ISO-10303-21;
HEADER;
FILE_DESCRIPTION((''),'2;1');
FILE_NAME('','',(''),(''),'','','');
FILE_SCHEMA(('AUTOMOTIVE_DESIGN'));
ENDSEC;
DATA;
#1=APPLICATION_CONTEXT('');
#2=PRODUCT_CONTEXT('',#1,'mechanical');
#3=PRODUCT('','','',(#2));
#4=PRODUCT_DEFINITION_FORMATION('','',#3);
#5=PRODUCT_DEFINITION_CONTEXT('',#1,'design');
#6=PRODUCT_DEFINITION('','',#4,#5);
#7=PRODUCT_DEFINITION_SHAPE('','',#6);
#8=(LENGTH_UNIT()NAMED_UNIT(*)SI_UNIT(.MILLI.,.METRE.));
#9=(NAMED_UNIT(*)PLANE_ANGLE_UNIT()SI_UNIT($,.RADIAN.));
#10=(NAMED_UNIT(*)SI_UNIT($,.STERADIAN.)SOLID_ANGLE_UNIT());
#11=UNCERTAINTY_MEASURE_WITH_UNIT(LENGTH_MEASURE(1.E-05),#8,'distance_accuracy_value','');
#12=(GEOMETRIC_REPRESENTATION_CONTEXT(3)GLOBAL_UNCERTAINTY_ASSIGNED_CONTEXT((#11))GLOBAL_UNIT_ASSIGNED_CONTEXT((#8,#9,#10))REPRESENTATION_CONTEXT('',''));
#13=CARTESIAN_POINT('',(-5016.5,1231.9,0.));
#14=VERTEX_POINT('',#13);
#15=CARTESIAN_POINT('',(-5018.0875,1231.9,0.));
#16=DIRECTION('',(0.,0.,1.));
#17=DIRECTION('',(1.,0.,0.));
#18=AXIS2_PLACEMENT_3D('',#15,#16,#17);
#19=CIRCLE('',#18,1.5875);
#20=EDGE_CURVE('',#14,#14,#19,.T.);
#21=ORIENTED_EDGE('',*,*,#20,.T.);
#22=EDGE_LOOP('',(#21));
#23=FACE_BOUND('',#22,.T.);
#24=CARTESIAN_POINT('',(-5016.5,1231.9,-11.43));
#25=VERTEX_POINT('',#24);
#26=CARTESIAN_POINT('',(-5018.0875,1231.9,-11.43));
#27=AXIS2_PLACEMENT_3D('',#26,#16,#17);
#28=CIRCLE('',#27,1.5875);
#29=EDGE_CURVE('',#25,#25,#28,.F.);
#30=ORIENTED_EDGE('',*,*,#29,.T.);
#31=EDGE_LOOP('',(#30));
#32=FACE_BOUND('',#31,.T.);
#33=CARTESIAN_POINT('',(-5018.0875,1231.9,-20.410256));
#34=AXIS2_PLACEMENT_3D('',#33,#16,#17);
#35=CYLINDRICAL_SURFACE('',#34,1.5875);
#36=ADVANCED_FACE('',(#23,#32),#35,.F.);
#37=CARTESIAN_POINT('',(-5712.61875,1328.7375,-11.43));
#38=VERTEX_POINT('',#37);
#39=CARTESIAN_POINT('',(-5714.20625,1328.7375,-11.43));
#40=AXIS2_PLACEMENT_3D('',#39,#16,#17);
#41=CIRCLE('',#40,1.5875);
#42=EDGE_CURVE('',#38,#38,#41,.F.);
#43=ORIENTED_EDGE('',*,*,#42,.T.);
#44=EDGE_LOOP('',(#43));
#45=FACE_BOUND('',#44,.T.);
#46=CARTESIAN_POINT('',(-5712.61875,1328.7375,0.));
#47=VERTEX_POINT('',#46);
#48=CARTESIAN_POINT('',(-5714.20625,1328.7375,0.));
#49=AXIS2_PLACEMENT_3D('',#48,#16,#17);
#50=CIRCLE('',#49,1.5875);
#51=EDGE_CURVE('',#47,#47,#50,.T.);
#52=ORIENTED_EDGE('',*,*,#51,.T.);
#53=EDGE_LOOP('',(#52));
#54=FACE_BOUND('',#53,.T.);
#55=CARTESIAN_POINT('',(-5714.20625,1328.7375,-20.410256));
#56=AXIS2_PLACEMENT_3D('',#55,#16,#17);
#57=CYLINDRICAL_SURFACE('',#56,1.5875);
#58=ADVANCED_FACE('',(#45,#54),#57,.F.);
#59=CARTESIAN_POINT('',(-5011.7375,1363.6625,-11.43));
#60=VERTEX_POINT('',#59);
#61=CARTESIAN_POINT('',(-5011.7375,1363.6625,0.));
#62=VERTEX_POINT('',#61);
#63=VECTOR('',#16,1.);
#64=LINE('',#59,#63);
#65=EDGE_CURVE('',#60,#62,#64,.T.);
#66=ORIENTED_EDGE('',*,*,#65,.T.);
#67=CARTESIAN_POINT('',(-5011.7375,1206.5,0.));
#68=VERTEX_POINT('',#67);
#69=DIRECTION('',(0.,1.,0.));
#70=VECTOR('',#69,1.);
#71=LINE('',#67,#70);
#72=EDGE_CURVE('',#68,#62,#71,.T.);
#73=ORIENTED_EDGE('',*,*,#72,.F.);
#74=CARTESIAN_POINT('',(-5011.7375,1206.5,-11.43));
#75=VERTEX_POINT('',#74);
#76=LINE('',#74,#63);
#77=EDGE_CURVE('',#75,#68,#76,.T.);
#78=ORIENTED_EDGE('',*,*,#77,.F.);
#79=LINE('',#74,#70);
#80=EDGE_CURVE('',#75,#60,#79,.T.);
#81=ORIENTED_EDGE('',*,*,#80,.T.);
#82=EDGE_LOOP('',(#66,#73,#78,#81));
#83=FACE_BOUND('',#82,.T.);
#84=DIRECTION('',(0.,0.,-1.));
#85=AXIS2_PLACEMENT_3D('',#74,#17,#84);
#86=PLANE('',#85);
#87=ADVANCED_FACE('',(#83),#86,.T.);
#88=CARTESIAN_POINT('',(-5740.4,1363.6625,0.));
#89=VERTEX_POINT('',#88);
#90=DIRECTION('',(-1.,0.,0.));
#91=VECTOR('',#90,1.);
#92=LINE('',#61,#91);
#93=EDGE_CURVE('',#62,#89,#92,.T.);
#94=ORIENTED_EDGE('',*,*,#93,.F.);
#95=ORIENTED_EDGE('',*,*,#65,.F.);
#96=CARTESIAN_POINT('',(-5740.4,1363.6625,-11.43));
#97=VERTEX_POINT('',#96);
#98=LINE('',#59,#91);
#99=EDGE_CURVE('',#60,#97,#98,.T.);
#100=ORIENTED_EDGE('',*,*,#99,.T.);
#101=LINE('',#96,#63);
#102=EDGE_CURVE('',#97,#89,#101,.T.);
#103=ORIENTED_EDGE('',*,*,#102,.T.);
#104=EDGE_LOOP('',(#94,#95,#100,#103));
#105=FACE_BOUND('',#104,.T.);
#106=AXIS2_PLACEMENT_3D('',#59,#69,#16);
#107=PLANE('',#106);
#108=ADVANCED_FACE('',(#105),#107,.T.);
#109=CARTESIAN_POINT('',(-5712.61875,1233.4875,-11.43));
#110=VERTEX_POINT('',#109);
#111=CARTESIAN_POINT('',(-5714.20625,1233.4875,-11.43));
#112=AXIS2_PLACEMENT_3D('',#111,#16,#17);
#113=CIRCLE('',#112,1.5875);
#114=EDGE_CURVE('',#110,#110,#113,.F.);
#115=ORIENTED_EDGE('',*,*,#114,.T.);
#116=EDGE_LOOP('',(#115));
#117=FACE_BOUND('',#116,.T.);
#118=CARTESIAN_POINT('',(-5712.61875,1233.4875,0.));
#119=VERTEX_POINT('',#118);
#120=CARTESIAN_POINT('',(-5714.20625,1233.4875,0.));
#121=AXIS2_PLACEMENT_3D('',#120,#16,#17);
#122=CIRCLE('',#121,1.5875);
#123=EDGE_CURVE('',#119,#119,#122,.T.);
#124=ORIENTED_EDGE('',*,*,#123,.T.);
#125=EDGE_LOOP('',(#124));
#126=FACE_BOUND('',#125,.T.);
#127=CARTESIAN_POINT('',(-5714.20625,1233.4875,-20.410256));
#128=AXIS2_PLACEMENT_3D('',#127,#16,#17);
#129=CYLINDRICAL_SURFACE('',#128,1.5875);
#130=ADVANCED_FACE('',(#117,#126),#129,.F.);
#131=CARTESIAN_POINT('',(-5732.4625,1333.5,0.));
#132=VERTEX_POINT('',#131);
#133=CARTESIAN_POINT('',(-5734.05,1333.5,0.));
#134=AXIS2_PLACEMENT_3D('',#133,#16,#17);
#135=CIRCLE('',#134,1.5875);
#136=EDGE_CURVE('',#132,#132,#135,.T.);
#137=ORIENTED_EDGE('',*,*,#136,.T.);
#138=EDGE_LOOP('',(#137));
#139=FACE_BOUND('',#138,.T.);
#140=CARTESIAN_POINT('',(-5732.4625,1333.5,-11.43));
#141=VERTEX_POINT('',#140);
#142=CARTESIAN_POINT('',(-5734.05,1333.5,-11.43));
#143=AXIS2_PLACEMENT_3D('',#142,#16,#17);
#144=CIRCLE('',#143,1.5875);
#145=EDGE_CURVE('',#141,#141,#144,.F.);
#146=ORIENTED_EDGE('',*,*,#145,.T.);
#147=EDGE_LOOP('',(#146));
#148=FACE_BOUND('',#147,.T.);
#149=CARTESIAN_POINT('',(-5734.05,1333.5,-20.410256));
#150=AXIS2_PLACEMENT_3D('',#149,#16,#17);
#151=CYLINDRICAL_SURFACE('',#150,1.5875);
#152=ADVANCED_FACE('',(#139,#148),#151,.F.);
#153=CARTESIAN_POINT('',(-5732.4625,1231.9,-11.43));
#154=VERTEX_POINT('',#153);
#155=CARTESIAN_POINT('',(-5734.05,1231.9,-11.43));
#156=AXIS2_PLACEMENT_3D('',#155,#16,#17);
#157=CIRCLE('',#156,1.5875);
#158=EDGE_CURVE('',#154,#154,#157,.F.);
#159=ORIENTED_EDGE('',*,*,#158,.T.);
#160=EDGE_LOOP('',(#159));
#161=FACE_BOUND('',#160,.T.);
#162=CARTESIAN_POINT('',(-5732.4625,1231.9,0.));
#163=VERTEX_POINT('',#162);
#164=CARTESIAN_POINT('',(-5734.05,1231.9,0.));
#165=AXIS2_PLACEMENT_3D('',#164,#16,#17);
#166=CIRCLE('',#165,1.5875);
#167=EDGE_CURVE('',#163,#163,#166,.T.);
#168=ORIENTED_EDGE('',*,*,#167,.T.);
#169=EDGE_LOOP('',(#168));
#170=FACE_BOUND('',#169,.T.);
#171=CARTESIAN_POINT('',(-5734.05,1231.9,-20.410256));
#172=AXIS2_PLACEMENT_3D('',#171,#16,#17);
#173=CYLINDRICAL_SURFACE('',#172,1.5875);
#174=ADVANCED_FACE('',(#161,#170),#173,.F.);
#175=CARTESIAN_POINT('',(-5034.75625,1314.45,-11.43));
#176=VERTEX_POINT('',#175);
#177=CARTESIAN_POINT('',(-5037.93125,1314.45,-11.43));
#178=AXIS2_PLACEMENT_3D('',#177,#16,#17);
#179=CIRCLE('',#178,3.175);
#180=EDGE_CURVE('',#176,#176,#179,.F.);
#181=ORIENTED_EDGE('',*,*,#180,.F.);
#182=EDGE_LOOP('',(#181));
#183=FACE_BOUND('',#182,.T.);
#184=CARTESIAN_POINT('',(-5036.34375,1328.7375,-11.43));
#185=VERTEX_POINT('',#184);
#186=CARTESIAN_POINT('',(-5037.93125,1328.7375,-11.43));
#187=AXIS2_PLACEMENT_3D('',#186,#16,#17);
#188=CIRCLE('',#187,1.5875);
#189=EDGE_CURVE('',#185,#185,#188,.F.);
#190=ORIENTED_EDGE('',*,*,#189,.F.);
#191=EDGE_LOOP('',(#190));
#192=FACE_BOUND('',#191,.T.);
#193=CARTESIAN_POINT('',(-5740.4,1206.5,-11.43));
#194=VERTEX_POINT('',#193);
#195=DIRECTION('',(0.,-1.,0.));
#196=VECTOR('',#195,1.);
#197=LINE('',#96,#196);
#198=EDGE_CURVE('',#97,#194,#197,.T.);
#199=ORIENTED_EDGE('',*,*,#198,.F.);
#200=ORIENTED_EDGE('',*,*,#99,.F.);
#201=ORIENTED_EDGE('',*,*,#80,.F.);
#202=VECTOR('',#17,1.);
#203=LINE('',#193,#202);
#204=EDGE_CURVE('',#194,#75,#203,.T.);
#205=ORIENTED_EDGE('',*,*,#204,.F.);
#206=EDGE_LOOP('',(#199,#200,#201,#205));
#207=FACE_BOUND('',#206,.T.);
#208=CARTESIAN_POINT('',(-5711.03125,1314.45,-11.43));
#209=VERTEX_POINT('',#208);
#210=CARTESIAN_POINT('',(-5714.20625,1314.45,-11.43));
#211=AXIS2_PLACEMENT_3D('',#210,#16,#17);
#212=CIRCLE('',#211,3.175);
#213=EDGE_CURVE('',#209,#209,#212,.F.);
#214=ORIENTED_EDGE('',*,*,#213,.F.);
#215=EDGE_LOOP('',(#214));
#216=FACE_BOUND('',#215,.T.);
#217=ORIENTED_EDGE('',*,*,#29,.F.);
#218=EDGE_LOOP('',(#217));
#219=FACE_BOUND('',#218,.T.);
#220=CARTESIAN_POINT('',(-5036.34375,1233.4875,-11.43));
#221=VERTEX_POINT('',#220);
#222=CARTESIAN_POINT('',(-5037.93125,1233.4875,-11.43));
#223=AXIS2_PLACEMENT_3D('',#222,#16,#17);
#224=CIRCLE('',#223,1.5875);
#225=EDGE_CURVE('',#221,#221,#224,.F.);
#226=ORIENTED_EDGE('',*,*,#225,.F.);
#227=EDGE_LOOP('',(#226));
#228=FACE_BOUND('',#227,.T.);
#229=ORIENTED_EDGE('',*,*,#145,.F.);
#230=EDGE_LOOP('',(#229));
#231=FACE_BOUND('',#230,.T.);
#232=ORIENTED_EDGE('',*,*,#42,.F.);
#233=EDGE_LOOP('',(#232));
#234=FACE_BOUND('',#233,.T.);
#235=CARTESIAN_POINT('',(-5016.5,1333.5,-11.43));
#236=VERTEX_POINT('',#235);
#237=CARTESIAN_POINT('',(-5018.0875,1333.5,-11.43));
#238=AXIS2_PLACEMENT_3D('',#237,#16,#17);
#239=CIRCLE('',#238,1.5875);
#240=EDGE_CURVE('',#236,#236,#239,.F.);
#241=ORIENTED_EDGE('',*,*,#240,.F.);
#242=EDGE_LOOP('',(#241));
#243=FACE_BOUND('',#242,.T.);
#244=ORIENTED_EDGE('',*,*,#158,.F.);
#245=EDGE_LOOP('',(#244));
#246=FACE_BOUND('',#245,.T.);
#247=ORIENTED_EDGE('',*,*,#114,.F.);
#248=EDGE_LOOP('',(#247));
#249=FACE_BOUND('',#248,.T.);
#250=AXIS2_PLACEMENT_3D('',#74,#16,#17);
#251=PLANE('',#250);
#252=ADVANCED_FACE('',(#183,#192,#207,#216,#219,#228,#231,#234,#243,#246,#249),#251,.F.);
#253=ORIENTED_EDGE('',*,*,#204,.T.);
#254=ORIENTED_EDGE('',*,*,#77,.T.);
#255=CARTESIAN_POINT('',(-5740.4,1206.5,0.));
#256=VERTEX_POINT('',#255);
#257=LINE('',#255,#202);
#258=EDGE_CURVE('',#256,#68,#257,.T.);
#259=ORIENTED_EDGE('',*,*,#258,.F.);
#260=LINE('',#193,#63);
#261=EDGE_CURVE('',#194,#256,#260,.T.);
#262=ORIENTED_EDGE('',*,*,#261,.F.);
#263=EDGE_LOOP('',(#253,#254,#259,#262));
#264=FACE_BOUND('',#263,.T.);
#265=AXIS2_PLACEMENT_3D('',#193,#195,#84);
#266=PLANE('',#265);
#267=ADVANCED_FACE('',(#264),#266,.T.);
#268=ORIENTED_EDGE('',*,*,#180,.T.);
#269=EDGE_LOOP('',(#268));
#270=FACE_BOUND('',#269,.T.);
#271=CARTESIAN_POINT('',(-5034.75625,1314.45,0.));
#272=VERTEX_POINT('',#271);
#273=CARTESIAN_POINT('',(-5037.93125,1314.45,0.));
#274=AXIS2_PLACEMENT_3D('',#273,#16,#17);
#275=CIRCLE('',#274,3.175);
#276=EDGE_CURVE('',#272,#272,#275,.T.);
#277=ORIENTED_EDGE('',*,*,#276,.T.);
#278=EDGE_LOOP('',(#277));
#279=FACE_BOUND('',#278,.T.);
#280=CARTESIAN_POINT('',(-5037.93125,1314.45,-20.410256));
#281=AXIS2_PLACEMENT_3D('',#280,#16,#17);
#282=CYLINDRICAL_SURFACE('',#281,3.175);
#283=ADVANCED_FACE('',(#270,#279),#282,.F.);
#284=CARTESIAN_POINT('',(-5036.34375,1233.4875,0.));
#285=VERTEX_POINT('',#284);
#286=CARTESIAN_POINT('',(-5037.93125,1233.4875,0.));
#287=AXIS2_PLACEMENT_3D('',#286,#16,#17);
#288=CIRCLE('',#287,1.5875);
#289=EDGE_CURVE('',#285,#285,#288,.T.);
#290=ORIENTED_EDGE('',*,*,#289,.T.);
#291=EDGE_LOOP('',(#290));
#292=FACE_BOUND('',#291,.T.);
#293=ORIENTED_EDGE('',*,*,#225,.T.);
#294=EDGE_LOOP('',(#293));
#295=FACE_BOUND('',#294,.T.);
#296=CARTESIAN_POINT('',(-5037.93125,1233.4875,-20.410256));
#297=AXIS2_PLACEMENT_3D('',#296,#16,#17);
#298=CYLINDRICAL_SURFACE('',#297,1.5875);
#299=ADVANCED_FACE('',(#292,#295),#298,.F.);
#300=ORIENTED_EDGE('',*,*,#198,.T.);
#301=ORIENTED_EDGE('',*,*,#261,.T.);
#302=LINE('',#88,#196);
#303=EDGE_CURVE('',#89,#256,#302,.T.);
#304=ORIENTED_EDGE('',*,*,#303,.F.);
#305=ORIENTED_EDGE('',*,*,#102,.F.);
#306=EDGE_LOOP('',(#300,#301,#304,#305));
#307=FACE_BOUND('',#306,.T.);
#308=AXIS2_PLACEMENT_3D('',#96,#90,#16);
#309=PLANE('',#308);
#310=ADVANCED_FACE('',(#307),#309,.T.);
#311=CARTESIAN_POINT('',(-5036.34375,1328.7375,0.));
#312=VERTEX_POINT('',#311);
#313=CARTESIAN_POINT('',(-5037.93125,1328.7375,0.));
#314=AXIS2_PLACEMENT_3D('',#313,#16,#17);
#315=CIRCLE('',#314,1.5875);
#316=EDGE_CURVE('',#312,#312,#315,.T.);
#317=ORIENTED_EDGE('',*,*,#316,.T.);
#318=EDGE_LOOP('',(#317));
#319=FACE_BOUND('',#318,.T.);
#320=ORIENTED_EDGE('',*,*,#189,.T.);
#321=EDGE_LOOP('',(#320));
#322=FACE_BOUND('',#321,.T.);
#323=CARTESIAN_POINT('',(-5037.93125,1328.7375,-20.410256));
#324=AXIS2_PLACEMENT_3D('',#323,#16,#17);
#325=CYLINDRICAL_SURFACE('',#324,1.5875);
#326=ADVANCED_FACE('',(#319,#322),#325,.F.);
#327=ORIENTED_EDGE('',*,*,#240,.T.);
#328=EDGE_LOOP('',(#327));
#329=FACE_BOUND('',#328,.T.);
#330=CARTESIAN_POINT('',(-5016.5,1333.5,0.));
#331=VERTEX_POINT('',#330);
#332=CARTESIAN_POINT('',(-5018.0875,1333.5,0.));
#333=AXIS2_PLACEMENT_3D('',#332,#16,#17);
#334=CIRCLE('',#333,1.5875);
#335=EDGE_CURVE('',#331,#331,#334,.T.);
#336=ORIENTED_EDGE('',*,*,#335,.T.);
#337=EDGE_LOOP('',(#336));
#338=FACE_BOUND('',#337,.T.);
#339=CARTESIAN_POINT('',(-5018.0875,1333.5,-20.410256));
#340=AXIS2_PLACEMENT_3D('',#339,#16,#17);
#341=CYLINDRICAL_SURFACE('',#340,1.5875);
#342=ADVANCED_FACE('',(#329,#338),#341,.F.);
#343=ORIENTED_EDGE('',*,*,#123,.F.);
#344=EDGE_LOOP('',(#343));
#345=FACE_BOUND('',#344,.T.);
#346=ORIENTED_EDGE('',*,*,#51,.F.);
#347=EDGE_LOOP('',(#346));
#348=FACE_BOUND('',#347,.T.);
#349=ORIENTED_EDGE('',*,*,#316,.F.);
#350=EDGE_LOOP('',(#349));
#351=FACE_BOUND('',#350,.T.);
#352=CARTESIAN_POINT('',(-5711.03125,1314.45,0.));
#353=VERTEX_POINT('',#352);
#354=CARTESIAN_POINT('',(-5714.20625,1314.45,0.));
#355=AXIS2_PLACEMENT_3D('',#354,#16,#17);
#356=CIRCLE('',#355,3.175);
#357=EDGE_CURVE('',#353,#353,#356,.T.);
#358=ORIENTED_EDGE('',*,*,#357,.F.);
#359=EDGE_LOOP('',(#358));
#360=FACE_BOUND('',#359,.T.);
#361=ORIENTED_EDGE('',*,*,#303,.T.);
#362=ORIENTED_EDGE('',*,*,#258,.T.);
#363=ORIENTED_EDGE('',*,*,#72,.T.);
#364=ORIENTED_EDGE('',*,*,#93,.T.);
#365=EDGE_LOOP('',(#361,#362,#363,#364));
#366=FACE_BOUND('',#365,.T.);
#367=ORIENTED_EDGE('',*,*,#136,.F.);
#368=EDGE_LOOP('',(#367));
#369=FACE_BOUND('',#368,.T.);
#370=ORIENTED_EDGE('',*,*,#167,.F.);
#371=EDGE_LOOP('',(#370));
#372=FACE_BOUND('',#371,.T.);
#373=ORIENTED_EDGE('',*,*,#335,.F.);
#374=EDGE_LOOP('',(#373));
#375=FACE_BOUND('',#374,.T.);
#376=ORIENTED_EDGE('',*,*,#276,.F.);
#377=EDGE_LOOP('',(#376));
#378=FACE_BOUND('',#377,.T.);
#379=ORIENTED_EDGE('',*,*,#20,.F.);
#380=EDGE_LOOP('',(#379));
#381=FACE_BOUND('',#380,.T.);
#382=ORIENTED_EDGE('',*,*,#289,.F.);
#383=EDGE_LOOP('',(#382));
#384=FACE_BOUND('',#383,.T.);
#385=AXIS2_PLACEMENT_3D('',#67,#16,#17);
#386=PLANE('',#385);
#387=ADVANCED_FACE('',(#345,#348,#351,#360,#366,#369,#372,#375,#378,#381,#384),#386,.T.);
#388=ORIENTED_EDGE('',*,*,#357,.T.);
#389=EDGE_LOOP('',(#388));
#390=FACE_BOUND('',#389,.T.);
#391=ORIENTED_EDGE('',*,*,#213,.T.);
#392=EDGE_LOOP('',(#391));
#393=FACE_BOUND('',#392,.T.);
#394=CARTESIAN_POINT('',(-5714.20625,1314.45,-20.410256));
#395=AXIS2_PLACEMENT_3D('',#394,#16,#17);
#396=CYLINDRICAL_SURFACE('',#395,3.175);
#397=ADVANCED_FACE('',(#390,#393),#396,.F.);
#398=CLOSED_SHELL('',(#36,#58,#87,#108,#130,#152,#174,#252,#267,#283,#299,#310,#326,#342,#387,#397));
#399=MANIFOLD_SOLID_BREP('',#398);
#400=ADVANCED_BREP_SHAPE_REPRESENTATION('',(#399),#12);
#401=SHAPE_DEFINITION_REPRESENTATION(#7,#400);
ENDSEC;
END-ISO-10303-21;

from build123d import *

# Parameters (mm, degrees)
LIDOUTLINE_W               = 728.6625
LIDOUTLINE_H               = 157.1625
LIDOUTLINE_THICKNESS_DEPTH = 11.43
LID_MOUNTINGHOLES_R        = 3.175
LID_MOUNTINGHOLES_R_2      = 1.5875
CUT_EXTRUDE1_DEPTH         = 11.43


with BuildPart() as part:
    # LidOutline → LidOutline_Thickness (new body)
    with BuildSketch(Plane.XY):
        with Locations((-5376.06875, 1285.08125)):
            Rectangle(LIDOUTLINE_W, LIDOUTLINE_H)
    extrude(amount=-LIDOUTLINE_THICKNESS_DEPTH)

    # Lid_MountingHoles → Cut-Extrude1 (cut)
    with BuildSketch(Plane.XY):
        with Locations((-5714.20625, 1314.45)):
            Circle(LID_MOUNTINGHOLES_R)
        with Locations((-5714.20625, 1328.7375)):
            Circle(LID_MOUNTINGHOLES_R_2)
        with Locations((-5734.05, 1333.5)):
            Circle(LID_MOUNTINGHOLES_R_2)
        with Locations((-5734.05, 1231.9)):
            Circle(LID_MOUNTINGHOLES_R_2)
        with Locations((-5714.20625, 1233.4875)):
            Circle(LID_MOUNTINGHOLES_R_2)
        with Locations((-5037.93125, 1314.45)):
            Circle(LID_MOUNTINGHOLES_R)
        with Locations((-5037.93125, 1328.7375)):
            Circle(LID_MOUNTINGHOLES_R_2)
        with Locations((-5018.0875, 1333.5)):
            Circle(LID_MOUNTINGHOLES_R_2)
        with Locations((-5037.93125, 1233.4875)):
            Circle(LID_MOUNTINGHOLES_R_2)
        with Locations((-5018.0875, 1231.9)):
            Circle(LID_MOUNTINGHOLES_R_2)
    extrude(amount=-CUT_EXTRUDE1_DEPTH, mode=Mode.SUBTRACT)


solid = part.part
